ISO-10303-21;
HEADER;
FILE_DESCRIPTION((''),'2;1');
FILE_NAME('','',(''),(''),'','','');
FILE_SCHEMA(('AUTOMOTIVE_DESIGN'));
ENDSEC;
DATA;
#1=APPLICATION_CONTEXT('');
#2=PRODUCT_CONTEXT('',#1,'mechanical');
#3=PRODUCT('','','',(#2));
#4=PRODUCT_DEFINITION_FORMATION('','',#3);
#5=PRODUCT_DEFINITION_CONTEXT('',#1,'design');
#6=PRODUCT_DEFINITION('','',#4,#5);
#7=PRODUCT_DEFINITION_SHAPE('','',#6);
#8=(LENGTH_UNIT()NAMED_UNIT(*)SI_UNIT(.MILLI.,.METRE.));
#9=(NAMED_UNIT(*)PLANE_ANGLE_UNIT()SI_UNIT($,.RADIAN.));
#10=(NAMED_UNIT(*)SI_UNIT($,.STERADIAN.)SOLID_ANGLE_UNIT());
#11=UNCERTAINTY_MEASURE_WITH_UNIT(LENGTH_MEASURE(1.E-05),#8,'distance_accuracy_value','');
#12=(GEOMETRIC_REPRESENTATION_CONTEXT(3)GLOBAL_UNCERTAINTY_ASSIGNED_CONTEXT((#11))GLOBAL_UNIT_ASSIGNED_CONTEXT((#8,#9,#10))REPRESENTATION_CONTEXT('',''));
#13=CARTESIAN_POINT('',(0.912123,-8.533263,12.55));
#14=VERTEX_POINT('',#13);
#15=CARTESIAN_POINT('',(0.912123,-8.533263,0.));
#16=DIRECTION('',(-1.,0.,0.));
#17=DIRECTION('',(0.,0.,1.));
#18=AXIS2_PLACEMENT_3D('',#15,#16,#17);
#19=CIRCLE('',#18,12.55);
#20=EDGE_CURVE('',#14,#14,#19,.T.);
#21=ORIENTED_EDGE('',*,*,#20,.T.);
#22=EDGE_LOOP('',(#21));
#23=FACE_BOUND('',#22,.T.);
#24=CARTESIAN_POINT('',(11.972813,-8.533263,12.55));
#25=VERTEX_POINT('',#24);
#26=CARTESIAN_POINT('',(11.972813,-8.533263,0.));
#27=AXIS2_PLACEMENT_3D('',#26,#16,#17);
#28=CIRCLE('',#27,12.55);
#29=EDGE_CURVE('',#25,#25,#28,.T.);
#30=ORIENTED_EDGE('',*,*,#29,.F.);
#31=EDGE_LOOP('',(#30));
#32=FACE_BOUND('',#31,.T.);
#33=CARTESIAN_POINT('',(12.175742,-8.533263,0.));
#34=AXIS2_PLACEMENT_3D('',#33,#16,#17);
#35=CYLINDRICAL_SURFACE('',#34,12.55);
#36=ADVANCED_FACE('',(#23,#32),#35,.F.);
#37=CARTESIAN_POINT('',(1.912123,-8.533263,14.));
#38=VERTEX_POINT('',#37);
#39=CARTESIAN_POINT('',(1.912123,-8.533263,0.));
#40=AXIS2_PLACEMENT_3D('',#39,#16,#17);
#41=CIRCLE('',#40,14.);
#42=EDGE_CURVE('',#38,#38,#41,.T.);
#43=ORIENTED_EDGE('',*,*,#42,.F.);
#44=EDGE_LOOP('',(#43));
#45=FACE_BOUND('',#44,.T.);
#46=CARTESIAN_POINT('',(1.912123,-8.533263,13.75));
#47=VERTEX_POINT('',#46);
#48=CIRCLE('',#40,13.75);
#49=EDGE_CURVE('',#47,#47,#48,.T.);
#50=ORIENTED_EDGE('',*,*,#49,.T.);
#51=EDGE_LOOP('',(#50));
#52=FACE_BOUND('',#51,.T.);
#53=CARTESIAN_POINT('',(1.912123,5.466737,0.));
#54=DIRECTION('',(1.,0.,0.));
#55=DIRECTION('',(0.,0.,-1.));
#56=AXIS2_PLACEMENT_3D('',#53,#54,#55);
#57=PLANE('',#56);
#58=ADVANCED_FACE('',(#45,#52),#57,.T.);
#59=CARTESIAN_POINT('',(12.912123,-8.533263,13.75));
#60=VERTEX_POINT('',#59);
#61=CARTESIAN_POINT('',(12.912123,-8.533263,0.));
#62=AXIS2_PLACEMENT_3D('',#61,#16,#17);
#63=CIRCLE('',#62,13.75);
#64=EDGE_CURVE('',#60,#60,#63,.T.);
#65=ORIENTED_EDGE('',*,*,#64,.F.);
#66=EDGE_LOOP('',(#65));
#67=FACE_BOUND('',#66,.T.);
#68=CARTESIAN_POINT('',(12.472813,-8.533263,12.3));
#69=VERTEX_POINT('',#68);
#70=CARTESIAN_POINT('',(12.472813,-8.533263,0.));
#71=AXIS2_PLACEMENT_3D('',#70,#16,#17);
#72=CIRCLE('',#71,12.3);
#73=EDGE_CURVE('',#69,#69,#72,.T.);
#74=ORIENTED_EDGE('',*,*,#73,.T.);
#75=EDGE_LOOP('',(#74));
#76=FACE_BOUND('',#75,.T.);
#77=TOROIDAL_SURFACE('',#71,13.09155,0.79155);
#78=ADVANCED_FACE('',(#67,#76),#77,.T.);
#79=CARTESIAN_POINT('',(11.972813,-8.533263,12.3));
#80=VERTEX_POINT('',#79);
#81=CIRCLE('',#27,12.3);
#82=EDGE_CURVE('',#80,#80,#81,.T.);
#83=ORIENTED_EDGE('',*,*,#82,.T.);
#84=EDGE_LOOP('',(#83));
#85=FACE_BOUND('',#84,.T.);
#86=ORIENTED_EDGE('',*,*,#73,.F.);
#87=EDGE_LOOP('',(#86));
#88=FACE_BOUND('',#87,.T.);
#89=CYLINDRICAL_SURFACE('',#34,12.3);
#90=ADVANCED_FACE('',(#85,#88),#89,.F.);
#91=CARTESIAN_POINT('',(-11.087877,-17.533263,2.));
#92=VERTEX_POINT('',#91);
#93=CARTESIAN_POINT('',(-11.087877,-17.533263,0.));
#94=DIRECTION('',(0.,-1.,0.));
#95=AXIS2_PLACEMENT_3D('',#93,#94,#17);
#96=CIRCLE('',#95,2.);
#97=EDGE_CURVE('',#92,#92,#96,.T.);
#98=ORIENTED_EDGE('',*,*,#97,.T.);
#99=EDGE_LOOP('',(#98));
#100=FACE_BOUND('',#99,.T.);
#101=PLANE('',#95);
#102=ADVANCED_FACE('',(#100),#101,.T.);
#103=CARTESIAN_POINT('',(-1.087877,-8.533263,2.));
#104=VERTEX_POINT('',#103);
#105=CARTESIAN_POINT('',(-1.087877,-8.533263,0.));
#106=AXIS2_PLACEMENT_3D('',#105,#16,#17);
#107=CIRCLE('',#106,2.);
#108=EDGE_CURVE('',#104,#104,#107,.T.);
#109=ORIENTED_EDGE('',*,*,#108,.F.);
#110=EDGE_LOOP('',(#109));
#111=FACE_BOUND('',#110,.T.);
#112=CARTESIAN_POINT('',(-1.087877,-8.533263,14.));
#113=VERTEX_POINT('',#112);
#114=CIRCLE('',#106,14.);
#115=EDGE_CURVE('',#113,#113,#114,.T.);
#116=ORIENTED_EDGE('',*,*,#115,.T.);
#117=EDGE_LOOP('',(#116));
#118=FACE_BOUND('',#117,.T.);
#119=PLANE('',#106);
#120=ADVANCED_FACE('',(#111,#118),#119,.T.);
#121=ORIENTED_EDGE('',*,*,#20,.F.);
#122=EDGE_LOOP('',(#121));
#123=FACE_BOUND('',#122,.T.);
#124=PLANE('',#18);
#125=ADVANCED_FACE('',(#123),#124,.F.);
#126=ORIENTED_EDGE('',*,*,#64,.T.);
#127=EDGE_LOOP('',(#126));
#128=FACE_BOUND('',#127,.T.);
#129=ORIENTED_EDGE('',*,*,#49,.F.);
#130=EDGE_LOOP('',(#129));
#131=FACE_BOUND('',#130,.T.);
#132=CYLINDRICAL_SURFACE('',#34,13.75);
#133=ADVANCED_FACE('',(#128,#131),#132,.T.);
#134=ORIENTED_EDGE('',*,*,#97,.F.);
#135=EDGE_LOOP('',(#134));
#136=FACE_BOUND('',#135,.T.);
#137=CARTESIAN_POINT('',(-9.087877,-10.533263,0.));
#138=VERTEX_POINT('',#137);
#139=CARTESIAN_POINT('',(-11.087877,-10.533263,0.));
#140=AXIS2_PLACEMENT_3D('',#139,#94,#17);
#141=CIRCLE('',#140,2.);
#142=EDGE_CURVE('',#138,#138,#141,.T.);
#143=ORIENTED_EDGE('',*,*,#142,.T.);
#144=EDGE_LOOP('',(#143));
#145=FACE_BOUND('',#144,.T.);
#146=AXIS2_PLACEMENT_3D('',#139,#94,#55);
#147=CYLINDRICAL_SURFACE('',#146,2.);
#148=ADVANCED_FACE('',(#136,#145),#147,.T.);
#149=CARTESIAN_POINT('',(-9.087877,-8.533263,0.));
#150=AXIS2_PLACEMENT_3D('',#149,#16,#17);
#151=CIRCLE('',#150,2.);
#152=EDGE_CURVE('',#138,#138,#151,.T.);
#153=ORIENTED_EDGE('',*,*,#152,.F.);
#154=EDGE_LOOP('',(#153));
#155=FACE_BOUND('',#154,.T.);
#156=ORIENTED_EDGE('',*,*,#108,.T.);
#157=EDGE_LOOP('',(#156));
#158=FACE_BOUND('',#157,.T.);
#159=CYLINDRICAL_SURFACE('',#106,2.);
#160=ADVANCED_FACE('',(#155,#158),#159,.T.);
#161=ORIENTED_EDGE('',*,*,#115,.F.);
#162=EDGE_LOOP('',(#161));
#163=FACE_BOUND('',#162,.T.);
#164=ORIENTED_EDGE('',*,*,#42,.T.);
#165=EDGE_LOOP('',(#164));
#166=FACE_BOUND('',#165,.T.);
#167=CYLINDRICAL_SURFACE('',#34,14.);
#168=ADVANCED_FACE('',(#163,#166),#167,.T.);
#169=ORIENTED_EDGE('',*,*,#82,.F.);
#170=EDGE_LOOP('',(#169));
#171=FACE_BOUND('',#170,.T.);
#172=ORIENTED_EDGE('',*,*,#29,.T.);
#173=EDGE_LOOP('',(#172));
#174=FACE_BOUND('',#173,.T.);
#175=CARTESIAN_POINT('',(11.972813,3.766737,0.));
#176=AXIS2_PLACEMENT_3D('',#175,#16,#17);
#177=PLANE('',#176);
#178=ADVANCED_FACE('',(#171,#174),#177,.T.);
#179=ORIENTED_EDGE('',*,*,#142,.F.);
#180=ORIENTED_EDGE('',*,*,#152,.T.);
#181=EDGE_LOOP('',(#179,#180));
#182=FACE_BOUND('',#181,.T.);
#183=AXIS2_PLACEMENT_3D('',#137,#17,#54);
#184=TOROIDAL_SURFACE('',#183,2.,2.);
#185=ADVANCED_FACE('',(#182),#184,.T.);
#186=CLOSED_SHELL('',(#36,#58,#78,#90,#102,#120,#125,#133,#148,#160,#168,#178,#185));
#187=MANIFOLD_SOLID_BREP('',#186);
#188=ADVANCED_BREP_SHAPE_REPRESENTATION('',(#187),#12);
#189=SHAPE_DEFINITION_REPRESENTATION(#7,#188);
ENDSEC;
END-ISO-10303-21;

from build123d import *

# Parameters (mm, degrees)
SKETCH2_R           = 14
BOSS_EXTRUDE1_DEPTH = 2
SKETCH3_R           = 2


with BuildPart() as part:
    # Sketch1 → Revolve1 (revolve)
    with BuildSketch(Plane(origin=(0, 0, 0), x_dir=(-1, 0, 0), z_dir=(0, 0, -1)), mode=Mode.PRIVATE) as revolve1_sk:
        with BuildLine():
            Line((-11.972812665, 3.766736765), (-11.972812665, 4.016736765))
            Line((-11.972812665, 4.016736765), (-0.912123334, 4.016736765))
            Line((-0.912123334, 4.016736765), (-0.912123334, 5.466736765))
            Line((-0.912123334, 5.466736765), (-1.912123334, 5.466736765))
            Line((-1.912123334, 5.466736765), (-1.912123334, 5.216736765))
            Line((-1.912123334, 5.216736765), (-12.912123334, 5.216736765))
            ThreePointArc((-12.912123334, 5.216736765), (-13.230357031, 4.328770979), (-12.472812665, 3.766736765))
            Line((-12.472812665, 3.766736765), (-11.972812665, 3.766736765))
        make_face()
    revolve(revolve1_sk.sketch.rotate(Axis((12.175741694, -8.533263235, 0), (-1, 0, 0)), 270), axis=Axis((12.175741694, -8.533263235, 0), (-1, 0, 0)))

    # Sketch2 → Boss-Extrude1 (add)
    with BuildSketch(Plane.ZY.offset(-0.912123334)):
        with Locations((0, -8.533263235)):
            Circle(SKETCH2_R)
    extrude(amount=BOSS_EXTRUDE1_DEPTH)

    # Sweep1: sweep along a path in Sketch4
    with BuildLine(Plane.XY) as sweep1_path:
        Line((-1.087876666, -8.533263235), (-9.087876666, -8.533263235))
        ThreePointArc((-9.087876666, -8.533263235), (-10.502090228, -9.119049673), (-11.087876666, -10.533263235))
        Line((-11.087876666, -10.533263235), (-11.087876666, -17.533263235))
    # Sketch3 → Sweep1 (sweep)
    with BuildSketch(Plane.ZY.offset(1.087876666)):
        with Locations((0, -8.533263235)):
            Circle(SKETCH3_R)
    sweep(path=sweep1_path.line)


solid = part.part
